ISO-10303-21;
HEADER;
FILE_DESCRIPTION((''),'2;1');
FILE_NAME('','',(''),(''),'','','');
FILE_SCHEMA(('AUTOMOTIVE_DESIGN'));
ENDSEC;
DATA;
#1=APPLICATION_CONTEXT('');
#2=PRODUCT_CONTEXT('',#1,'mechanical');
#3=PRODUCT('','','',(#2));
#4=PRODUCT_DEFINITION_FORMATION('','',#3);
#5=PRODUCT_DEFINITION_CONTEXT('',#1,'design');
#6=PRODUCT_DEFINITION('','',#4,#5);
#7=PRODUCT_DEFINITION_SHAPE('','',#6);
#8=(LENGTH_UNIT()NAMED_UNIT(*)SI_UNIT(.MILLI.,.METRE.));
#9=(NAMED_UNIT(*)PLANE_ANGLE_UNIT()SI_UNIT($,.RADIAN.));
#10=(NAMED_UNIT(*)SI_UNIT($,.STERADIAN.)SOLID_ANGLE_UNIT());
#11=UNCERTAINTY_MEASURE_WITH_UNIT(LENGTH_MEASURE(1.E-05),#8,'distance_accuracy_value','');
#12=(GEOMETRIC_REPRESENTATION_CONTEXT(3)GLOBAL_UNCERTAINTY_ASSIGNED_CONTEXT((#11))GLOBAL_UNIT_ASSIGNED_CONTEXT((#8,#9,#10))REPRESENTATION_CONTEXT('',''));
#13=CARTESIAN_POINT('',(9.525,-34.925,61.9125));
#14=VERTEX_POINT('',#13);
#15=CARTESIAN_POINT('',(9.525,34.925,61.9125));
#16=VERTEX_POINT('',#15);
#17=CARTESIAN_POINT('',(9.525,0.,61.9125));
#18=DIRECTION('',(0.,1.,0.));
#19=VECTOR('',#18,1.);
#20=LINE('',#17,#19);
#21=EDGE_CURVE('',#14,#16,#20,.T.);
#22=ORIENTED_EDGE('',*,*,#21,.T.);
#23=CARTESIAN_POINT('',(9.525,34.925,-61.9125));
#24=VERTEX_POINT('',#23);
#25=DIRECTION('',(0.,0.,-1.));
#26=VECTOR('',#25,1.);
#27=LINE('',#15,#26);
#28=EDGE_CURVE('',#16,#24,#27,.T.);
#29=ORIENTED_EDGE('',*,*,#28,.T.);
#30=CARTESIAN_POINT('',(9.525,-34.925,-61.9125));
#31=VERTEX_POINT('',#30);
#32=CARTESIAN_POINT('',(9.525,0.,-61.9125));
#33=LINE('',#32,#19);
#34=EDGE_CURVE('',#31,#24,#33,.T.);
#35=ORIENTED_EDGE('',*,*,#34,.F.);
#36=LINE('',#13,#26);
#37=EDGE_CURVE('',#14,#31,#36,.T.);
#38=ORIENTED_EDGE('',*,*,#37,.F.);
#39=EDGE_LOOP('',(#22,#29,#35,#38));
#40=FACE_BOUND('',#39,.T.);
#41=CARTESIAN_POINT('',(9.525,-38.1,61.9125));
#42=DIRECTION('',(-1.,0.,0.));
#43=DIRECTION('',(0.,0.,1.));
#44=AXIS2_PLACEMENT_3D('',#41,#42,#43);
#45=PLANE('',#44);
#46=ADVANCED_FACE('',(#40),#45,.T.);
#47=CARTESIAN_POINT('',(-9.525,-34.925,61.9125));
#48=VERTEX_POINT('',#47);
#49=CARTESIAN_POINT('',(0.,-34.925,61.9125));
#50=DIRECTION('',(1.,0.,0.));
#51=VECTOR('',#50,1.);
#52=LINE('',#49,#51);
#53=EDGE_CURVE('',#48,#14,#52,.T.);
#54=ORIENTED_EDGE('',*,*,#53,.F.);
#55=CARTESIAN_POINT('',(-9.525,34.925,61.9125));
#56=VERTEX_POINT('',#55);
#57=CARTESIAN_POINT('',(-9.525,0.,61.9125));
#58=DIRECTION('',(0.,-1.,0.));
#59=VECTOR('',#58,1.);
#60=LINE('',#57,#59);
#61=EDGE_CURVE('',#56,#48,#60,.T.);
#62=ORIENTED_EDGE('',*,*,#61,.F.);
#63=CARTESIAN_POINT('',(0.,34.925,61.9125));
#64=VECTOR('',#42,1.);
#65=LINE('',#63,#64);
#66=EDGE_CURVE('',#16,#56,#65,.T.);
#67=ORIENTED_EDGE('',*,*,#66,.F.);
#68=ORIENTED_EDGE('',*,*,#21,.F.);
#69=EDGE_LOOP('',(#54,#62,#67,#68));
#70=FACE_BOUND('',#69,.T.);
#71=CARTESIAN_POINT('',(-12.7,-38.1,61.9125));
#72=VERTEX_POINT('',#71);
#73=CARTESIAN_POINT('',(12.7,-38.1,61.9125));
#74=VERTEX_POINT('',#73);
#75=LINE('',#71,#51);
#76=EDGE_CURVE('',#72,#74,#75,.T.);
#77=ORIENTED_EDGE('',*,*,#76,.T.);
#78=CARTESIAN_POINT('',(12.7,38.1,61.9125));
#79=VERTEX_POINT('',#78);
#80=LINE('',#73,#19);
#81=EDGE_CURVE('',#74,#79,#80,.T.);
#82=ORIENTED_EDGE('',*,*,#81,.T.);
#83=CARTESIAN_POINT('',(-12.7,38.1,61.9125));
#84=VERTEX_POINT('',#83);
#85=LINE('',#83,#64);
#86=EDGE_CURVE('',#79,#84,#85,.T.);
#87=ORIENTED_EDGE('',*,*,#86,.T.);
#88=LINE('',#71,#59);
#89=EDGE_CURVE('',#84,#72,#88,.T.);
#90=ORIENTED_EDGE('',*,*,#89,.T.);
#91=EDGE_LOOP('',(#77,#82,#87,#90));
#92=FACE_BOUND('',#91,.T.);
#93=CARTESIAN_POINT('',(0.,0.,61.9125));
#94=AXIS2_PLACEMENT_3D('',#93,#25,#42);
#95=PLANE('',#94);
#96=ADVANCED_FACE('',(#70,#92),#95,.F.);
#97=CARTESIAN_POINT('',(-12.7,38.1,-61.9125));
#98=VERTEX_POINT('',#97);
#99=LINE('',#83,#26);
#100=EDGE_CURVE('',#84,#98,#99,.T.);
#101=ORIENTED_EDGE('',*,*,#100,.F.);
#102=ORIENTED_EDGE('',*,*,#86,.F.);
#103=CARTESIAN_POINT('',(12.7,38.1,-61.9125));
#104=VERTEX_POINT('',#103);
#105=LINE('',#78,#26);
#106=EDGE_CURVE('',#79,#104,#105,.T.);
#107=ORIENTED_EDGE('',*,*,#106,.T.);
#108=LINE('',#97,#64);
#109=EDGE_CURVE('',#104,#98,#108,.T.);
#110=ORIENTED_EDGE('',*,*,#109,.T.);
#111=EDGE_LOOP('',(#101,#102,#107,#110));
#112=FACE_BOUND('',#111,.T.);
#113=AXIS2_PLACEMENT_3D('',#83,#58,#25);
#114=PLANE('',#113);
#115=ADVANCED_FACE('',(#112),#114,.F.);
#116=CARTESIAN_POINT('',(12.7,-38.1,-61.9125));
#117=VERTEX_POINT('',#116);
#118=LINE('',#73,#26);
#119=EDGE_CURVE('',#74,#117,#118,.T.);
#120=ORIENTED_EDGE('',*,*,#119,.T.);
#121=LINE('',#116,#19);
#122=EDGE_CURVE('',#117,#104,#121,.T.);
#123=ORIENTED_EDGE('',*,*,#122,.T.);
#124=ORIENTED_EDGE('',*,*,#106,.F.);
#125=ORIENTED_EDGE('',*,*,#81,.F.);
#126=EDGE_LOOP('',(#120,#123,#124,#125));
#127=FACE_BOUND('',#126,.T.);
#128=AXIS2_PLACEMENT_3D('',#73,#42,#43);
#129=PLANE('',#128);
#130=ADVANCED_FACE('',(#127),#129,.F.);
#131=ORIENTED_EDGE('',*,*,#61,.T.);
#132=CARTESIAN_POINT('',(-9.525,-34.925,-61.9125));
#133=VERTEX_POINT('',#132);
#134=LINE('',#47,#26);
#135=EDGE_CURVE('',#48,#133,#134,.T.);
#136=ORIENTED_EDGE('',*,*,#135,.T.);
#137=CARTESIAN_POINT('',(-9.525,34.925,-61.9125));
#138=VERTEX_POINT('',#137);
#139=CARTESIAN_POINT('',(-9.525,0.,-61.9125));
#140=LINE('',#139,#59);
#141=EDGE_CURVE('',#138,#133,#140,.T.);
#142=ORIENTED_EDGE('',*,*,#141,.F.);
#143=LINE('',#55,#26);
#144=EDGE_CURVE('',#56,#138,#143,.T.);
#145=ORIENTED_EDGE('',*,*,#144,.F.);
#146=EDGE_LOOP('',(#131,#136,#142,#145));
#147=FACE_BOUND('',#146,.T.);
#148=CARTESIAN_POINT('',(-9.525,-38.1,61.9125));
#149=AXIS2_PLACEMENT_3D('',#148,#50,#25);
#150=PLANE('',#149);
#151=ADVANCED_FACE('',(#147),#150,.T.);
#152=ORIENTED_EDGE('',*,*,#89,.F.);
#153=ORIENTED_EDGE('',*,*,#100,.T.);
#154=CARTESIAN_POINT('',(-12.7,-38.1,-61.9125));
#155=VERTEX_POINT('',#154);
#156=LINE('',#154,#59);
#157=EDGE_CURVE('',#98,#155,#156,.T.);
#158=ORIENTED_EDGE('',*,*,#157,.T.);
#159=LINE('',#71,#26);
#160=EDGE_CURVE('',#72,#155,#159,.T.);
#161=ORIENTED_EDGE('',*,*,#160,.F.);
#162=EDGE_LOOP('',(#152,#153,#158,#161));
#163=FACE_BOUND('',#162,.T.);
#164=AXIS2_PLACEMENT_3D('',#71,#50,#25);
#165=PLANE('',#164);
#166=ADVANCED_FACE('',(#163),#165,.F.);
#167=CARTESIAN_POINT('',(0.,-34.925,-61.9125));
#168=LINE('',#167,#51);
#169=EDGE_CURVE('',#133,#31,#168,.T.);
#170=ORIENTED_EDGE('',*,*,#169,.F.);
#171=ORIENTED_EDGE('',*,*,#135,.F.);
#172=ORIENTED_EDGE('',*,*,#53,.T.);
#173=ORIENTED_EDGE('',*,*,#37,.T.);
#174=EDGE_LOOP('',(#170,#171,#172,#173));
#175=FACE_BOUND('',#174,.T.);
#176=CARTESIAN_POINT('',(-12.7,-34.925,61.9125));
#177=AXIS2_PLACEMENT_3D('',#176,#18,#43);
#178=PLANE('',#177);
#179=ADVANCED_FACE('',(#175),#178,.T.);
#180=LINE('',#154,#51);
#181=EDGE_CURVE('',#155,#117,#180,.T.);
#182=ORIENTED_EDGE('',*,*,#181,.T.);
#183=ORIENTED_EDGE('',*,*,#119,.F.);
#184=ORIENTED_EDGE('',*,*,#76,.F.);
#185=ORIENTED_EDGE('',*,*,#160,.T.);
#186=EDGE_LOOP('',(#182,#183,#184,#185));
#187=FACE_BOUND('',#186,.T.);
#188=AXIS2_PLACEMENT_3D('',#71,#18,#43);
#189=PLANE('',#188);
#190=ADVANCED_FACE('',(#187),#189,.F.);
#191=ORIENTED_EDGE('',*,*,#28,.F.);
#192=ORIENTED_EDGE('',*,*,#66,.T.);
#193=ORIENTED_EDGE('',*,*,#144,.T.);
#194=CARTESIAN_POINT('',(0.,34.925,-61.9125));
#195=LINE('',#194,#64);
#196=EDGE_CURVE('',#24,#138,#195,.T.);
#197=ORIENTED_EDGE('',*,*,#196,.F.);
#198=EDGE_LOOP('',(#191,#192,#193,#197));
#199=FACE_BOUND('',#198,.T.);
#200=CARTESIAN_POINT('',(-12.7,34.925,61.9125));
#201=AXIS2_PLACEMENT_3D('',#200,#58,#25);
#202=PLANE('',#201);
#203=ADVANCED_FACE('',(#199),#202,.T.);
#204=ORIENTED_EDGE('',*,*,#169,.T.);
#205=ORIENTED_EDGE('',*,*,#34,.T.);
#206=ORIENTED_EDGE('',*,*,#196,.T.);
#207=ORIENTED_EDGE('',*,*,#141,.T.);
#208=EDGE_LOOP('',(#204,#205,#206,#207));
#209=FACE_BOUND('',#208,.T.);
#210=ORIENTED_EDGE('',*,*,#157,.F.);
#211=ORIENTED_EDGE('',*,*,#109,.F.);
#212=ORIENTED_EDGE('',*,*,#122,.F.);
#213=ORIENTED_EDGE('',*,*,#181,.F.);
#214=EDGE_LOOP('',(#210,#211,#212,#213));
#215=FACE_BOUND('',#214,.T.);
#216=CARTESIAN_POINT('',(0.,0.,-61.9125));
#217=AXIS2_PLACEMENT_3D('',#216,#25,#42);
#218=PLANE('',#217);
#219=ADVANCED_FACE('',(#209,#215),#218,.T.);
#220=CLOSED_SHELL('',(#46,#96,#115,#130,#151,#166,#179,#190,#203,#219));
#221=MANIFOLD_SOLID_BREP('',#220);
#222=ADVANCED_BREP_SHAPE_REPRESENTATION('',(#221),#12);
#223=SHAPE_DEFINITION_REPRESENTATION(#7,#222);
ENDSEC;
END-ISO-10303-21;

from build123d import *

# Parameters (mm, degrees)
SKETCH1_W           = 25.4
SKETCH1_H           = 76.2
BOSS_EXTRUDE1_DEPTH = 61.9125
SHELL1_T            = -3.175


with BuildPart() as part:
    # Sketch1 → Boss-Extrude1 (new body, symmetric)
    with BuildSketch(Plane.XY):
        Rectangle(SKETCH1_W, SKETCH1_H)
    extrude(amount=BOSS_EXTRUDE1_DEPTH, both=True)

    # Shell1
    shell1_openings = [part.faces().sort_by_distance(p)[0] for p in [
        (0, 0, 61.9125),
        (0, 0, -61.9125),
    ]]
    offset(amount=SHELL1_T, openings=shell1_openings, kind=Kind.INTERSECTION)


solid = part.part
